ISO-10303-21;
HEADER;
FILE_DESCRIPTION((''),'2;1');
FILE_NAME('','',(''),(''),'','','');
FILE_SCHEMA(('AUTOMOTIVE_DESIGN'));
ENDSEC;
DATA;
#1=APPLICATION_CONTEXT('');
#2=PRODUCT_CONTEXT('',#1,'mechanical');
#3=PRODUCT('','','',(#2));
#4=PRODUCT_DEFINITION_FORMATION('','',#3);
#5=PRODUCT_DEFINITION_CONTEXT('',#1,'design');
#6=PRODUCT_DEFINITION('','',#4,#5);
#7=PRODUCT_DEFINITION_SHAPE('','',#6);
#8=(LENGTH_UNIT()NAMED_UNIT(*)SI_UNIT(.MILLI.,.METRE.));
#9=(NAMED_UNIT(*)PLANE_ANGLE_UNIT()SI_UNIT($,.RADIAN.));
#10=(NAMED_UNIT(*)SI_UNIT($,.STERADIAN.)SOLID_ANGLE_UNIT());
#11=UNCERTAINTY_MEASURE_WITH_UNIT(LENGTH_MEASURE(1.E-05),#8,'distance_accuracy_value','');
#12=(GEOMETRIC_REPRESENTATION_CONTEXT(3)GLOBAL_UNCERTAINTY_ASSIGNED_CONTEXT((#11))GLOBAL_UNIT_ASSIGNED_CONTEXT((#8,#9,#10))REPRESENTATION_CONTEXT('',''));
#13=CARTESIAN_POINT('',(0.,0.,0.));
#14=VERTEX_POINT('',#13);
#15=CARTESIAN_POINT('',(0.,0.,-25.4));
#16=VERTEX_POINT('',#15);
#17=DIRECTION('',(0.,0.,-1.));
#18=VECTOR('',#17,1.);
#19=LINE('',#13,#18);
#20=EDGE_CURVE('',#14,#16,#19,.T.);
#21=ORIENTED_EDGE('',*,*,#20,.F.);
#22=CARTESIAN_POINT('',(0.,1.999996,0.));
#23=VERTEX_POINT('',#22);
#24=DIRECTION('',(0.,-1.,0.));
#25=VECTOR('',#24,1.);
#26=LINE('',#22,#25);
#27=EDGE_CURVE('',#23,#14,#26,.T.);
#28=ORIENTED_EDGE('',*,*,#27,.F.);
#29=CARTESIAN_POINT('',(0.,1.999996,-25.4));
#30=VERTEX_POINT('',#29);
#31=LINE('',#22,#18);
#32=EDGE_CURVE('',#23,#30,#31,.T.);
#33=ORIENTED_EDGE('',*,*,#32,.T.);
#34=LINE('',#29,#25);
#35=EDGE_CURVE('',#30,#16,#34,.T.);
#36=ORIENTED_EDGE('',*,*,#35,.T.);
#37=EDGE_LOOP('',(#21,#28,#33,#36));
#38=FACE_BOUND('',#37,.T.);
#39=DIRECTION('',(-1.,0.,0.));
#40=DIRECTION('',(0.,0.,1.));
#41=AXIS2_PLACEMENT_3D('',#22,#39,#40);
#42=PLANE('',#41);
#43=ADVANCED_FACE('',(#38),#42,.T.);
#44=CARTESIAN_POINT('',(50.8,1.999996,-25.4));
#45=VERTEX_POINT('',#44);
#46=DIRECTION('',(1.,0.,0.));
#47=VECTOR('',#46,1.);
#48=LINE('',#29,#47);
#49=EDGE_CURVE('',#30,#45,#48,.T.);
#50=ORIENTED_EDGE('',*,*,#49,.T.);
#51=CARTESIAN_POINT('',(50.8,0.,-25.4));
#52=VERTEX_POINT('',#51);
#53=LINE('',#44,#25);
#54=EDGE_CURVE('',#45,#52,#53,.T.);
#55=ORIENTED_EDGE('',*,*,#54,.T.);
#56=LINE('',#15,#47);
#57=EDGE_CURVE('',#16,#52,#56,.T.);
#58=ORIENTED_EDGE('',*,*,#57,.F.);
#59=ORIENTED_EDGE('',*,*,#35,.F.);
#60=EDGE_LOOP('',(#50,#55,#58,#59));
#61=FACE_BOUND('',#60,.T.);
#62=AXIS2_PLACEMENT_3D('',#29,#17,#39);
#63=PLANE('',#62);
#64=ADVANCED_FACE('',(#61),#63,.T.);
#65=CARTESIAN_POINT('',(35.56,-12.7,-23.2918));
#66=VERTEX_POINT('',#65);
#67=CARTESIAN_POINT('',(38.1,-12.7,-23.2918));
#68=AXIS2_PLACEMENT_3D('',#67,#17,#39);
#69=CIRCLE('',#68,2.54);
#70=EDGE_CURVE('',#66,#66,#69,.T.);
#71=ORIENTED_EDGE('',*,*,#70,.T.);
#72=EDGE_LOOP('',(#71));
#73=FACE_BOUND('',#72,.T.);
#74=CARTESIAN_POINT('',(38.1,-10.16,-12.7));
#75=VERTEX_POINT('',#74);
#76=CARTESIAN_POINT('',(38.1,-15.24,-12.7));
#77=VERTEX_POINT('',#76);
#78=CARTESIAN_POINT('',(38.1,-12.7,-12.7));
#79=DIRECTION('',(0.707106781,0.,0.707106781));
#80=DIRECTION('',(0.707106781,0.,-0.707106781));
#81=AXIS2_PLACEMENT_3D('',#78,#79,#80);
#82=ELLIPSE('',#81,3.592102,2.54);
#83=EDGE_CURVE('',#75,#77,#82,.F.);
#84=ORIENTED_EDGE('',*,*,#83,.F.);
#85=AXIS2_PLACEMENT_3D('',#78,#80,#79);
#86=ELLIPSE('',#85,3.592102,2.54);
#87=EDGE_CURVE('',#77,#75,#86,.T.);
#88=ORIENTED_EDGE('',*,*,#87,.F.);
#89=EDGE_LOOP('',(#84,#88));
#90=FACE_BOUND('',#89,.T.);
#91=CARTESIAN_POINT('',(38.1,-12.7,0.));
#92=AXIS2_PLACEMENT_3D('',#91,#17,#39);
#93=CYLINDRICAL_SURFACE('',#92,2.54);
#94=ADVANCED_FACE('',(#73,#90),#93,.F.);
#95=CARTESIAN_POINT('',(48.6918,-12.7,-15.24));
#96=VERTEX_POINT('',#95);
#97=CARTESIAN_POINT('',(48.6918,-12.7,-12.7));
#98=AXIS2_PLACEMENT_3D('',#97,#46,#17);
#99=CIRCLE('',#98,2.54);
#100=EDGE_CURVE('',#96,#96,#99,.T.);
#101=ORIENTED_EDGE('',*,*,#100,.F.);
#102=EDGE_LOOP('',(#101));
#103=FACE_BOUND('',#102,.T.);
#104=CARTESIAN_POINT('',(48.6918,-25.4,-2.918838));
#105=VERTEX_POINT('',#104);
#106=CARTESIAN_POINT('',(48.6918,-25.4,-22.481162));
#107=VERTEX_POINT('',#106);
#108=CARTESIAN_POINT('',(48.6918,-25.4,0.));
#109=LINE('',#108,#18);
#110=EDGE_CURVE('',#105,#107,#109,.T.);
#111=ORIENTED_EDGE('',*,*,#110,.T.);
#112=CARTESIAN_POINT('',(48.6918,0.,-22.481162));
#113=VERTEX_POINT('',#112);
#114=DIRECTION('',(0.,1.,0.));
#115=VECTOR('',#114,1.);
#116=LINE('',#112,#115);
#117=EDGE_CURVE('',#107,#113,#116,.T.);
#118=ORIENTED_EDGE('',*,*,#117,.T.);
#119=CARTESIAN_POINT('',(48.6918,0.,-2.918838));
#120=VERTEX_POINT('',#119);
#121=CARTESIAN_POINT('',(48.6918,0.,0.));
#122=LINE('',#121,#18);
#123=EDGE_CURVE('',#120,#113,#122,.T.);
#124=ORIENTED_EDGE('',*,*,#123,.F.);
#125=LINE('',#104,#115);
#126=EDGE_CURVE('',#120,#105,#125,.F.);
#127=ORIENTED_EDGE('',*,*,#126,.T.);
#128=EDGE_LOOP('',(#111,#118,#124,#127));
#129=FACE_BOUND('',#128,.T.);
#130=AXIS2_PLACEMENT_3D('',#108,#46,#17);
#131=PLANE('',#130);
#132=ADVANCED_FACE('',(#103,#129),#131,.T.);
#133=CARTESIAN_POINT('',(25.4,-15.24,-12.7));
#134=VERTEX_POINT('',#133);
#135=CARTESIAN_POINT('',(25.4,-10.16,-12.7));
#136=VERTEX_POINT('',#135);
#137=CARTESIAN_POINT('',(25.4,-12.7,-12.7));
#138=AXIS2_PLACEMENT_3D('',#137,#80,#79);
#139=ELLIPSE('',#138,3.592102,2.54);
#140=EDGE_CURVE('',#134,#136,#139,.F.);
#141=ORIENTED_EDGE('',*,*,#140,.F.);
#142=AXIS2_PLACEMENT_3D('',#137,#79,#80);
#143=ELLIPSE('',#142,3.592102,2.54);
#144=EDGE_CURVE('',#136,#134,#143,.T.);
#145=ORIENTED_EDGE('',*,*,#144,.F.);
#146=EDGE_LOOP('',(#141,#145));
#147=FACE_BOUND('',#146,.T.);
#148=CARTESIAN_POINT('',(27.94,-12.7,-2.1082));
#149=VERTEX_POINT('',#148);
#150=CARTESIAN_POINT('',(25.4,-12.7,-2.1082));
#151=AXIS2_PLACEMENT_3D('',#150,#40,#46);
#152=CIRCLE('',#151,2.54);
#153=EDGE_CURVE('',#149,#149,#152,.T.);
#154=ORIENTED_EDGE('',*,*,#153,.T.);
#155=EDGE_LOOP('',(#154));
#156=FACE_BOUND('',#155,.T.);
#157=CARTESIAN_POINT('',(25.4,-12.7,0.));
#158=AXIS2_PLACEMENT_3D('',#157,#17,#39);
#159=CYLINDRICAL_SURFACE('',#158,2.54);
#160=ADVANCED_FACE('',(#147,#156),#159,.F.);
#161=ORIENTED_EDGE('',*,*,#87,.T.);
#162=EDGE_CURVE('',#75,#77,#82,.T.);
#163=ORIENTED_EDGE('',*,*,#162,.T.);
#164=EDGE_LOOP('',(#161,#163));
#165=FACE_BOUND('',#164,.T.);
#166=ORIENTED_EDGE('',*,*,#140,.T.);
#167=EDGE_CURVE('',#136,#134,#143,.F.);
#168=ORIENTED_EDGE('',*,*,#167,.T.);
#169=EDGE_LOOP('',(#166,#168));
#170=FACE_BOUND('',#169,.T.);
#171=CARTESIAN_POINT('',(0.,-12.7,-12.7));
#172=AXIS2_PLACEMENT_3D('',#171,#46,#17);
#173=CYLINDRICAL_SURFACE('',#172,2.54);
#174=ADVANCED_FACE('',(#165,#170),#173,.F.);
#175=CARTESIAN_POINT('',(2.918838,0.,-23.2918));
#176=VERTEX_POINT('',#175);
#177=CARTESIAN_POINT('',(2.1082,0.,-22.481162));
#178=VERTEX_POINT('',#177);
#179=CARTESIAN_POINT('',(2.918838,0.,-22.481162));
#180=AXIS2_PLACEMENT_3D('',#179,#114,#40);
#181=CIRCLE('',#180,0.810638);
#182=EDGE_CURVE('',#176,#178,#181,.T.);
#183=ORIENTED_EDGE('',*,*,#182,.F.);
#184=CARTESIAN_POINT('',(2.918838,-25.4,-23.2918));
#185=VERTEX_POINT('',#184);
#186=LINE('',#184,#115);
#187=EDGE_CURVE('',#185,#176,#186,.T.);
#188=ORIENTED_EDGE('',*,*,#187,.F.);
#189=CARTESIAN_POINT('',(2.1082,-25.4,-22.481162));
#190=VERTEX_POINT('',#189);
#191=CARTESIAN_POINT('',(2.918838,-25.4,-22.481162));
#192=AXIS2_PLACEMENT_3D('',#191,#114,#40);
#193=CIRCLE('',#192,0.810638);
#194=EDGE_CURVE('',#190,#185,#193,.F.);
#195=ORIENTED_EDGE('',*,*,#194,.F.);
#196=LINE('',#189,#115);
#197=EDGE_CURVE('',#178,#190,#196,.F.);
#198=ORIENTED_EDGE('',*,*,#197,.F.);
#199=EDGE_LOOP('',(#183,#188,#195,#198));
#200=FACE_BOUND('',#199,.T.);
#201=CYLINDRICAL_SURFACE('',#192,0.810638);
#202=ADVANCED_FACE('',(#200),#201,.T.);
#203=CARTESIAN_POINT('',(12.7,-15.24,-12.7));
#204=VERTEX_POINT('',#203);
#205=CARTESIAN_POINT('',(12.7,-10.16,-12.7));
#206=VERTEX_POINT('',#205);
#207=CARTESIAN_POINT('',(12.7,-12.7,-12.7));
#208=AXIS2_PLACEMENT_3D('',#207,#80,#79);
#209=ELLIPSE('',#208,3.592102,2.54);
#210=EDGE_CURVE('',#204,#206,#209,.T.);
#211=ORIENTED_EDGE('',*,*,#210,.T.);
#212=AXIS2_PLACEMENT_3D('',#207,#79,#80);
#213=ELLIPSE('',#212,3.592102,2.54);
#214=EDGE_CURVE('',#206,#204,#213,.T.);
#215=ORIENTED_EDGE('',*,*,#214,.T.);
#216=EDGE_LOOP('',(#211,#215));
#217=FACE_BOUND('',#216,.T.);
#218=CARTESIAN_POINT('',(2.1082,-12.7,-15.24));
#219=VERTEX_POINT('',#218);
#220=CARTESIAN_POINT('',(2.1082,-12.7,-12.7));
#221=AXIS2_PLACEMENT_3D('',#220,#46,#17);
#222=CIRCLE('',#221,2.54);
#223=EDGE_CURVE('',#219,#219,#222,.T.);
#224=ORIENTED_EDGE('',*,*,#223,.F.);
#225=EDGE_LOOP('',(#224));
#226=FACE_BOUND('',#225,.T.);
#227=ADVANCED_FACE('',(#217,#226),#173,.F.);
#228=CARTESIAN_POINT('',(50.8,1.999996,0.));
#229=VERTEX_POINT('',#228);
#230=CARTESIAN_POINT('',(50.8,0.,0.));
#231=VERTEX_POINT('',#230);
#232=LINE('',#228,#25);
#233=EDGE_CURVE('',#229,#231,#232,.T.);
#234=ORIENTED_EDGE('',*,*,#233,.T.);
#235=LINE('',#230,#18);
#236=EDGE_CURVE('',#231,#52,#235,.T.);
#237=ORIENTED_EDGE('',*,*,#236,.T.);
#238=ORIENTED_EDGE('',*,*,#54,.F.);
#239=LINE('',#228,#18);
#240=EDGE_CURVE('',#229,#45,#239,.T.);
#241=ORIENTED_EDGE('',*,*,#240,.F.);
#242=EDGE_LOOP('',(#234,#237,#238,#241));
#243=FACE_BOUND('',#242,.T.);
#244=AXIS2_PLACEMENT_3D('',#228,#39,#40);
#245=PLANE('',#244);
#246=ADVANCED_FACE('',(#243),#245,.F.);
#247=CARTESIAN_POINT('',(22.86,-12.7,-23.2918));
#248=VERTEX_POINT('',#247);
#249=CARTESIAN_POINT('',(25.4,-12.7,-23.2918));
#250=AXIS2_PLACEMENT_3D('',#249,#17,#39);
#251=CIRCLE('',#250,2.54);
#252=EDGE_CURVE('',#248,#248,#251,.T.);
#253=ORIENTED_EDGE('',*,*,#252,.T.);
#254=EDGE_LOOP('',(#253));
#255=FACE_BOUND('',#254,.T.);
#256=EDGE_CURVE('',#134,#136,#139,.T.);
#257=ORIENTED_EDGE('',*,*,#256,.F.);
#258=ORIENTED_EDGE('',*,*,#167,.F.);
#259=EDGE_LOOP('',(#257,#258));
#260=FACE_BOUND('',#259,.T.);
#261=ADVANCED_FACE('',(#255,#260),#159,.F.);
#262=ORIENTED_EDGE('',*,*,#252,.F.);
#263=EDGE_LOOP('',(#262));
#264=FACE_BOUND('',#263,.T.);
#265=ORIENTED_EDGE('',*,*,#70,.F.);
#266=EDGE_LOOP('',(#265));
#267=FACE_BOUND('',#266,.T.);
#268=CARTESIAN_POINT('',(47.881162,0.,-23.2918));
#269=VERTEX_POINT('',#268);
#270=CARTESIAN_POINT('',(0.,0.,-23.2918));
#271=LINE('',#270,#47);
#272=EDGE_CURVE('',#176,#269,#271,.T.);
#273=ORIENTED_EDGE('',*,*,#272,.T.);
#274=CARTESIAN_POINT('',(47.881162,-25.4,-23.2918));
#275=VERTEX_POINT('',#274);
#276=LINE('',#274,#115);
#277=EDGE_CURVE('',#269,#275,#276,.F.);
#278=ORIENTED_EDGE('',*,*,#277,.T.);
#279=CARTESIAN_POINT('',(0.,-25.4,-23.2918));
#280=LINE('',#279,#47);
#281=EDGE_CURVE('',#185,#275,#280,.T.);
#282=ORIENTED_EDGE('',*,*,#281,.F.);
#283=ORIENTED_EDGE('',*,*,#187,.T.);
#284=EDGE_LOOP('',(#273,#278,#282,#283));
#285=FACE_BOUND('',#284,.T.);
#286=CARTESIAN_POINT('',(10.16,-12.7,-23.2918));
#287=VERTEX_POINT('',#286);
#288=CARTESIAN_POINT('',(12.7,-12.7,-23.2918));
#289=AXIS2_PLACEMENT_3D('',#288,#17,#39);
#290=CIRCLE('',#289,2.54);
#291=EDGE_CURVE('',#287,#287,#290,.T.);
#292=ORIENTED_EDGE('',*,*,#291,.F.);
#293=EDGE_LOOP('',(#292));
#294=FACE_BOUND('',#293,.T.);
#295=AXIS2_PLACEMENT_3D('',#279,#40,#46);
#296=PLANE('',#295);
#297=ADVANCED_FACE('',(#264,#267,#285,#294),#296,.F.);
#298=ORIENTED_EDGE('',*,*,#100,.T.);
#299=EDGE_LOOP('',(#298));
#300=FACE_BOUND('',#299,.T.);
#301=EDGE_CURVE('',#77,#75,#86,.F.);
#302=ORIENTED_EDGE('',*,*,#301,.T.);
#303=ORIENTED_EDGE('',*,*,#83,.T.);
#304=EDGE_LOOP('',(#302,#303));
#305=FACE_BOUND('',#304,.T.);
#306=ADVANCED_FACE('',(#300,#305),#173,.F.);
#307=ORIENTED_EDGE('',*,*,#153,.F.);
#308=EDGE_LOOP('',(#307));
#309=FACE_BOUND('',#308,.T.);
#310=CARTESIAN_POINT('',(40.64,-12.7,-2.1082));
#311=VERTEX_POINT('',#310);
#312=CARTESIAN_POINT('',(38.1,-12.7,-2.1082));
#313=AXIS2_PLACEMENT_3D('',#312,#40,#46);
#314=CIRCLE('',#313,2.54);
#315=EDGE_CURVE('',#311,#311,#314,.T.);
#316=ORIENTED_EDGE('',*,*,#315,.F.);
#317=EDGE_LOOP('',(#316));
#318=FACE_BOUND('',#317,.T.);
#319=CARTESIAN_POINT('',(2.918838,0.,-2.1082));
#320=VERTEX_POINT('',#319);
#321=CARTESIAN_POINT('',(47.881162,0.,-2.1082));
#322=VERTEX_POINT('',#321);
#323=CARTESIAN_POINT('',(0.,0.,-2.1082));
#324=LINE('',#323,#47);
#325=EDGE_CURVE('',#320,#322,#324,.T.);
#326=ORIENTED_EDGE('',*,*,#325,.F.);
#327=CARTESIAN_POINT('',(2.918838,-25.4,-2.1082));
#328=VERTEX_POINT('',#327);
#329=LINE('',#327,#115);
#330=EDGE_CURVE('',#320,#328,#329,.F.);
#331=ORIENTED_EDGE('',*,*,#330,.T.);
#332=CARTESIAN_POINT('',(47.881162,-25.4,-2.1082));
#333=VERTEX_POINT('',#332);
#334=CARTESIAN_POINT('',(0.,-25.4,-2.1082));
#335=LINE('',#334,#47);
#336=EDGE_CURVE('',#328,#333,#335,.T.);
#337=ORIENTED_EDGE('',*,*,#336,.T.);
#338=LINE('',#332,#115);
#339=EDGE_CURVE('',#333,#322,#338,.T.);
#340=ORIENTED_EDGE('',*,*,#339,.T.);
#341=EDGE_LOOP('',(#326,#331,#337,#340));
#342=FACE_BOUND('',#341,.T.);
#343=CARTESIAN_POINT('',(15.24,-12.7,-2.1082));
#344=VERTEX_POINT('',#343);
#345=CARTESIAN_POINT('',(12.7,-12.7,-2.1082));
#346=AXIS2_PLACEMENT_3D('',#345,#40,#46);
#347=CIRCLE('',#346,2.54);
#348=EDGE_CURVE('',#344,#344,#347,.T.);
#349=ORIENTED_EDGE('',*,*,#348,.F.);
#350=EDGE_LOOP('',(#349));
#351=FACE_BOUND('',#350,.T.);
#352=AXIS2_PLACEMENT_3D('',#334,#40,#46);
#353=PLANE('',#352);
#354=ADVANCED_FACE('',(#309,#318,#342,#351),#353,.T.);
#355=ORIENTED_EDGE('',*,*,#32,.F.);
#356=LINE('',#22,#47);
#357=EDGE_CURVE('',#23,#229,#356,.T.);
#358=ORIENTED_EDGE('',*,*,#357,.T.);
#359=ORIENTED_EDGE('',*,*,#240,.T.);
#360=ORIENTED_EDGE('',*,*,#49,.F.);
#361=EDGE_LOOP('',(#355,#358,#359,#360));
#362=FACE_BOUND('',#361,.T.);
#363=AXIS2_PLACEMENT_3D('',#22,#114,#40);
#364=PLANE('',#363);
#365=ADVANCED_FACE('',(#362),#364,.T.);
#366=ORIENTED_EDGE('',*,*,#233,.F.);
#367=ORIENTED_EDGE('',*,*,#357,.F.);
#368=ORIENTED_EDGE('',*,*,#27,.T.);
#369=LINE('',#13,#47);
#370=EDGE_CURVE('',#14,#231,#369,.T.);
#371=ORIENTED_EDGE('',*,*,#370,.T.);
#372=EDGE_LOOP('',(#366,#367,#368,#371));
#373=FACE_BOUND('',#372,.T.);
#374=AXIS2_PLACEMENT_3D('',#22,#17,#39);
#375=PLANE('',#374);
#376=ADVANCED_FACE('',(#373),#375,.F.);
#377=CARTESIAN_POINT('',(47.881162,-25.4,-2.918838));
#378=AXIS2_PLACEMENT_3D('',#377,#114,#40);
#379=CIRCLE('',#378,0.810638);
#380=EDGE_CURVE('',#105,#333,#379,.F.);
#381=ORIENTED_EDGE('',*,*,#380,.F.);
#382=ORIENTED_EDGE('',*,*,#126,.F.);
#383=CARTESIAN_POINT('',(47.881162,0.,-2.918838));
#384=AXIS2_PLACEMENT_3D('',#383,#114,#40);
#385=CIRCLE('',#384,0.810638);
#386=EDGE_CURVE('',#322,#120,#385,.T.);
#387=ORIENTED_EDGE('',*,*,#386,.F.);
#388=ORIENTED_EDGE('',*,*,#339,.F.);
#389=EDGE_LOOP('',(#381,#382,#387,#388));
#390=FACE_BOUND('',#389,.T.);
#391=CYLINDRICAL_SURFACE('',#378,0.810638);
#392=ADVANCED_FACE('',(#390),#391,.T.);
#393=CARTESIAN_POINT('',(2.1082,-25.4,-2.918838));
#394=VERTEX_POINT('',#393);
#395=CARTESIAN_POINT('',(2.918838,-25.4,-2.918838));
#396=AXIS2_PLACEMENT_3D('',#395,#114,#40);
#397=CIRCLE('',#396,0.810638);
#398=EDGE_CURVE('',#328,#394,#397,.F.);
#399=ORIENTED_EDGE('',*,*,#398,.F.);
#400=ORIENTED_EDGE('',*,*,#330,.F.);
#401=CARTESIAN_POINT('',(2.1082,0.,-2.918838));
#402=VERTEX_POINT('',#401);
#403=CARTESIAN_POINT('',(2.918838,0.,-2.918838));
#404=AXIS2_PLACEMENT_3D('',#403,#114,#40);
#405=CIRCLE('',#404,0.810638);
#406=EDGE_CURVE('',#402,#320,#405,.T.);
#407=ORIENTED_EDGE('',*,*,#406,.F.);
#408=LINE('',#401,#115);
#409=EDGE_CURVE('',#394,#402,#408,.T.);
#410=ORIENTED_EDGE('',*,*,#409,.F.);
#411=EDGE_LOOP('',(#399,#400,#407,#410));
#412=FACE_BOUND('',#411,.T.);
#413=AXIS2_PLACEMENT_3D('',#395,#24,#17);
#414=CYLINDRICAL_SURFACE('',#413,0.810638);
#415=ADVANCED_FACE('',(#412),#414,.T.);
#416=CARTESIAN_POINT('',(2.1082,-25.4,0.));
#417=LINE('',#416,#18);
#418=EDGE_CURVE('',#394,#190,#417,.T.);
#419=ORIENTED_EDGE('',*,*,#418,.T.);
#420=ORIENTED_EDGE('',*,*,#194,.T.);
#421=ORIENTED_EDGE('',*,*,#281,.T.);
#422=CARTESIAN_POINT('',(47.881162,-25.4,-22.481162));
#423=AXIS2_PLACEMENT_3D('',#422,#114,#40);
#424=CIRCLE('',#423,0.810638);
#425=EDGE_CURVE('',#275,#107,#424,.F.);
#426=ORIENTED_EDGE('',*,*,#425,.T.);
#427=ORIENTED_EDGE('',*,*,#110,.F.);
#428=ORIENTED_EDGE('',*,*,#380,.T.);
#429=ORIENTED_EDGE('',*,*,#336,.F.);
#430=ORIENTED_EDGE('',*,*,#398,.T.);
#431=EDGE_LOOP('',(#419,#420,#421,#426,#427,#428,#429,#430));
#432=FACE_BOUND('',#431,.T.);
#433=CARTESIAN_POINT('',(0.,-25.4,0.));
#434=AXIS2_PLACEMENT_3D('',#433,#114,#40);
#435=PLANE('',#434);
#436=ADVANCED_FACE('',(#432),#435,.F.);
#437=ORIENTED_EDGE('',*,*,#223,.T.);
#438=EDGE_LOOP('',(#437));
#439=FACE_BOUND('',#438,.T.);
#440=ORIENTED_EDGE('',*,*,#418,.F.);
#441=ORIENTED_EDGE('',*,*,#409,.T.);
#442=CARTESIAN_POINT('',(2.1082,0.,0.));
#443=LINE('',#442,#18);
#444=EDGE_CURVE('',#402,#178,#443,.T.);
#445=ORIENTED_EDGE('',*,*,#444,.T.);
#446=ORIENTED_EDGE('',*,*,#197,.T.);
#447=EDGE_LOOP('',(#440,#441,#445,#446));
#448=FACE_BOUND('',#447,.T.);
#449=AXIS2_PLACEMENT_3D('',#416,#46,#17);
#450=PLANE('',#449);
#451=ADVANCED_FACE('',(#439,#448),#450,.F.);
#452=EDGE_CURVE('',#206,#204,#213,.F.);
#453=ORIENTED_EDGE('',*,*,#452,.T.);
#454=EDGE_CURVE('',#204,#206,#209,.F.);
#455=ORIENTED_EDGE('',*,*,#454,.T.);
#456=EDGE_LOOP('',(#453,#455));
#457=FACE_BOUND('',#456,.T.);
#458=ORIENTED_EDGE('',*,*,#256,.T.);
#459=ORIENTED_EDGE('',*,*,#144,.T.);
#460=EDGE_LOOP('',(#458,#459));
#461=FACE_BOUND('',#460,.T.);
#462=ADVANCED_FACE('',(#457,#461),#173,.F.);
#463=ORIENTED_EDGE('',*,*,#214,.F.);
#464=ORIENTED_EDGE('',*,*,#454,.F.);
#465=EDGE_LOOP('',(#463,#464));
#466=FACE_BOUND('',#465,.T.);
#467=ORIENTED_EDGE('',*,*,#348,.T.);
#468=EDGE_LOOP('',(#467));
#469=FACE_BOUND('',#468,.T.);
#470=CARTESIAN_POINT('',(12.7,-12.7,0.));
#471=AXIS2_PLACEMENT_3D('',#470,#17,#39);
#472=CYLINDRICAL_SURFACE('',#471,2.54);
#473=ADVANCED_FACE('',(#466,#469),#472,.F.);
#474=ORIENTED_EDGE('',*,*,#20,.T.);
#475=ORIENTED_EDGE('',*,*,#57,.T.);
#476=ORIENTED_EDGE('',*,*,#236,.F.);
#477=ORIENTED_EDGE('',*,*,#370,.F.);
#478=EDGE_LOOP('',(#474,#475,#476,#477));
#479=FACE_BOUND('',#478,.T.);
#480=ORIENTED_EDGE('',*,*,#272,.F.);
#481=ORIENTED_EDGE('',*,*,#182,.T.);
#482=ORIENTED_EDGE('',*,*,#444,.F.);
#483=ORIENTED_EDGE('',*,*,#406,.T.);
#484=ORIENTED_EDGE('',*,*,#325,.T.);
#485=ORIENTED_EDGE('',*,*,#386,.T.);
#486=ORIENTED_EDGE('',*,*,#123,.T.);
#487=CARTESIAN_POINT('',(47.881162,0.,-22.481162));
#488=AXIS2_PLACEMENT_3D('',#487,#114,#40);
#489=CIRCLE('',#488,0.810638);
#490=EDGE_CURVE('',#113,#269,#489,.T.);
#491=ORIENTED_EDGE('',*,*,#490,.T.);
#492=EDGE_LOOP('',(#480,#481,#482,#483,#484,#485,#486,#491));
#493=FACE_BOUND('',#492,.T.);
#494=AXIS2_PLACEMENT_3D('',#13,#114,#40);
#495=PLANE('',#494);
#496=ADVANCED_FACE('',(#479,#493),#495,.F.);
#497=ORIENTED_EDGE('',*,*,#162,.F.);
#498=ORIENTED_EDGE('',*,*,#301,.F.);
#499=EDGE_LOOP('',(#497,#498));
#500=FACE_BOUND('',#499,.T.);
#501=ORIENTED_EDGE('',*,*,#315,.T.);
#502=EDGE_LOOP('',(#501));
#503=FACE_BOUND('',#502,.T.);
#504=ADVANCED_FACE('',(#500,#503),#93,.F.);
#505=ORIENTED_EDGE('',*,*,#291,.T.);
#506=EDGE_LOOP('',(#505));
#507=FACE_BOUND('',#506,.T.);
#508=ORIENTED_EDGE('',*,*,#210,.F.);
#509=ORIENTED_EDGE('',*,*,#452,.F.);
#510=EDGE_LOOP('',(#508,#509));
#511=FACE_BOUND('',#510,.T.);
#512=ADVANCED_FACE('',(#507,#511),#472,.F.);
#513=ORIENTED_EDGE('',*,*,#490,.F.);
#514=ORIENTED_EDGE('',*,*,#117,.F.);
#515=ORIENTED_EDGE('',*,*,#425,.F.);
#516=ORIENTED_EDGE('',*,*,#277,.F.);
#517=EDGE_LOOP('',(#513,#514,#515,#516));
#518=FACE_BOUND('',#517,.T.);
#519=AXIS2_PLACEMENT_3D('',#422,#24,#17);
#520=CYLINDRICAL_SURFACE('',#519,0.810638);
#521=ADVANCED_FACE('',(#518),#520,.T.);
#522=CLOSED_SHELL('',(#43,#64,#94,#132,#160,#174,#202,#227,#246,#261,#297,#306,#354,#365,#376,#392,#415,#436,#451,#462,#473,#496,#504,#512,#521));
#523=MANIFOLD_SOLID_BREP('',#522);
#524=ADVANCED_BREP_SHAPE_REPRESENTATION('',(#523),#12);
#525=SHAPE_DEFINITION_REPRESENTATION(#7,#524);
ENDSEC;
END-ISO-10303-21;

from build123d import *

# Parameters (mm, degrees)
SKETCH2_W           = 50.8
SKETCH2_H           = 25.4
BOSS_EXTRUDE2_DEPTH = 1.999996
SKETCH2_4_W         = 46.5836
SKETCH2_4_H         = 21.1836
BOSS_EXTRUDE3_DEPTH = 25.4
FILLET3_R           = 0.810638298
SKETCH3_R           = 2.54
CUT_EXTRUDE1_DEPTH  = 49.6918
SKETCH4_R           = 2.54
CUT_EXTRUDE2_DEPTH  = 24.2918


with BuildPart() as part:
    # Sketch2 → Boss-Extrude2 (new body)
    with BuildSketch(Plane(origin=(0, 0, 0), x_dir=(1, 0, 0), z_dir=(0, 1, 0))):
        with Locations((25.4, 12.7)):
            Rectangle(SKETCH2_W, SKETCH2_H)
    extrude(amount=BOSS_EXTRUDE2_DEPTH)

    # Sketch2<4> → Boss-Extrude3 (add)
    with BuildSketch(Plane(origin=(0, 0, 0), x_dir=(1, 0, 0), z_dir=(0, 1, 0))):
        with Locations((25.4, 12.7)):
            Rectangle(SKETCH2_4_W, SKETCH2_4_H)
    extrude(amount=-BOSS_EXTRUDE3_DEPTH)

    # Fillet3
    fillet3_edges = [part.edges().sort_by_distance(p)[0] for p in [
        (2.1082, -12.7, -2.1082),
        (2.1082, -12.7, -23.2918),
        (48.6918, -12.7, -23.2918),
        (48.6918, -12.7, -2.1082),
    ]]
    fillet(fillet3_edges, radius=FILLET3_R)

    # Sketch3 → Cut-Extrude1 (cut, through all)
    with BuildSketch(Plane(origin=(48.6918, 0, 0), x_dir=(0, 0, -1), z_dir=(1, 0, 0))):
        with Locations((12.7, -12.7)):
            Circle(SKETCH3_R)
    extrude(amount=-CUT_EXTRUDE1_DEPTH, mode=Mode.SUBTRACT)

    # Sketch4 → Cut-Extrude2 (cut, through all)
    with BuildSketch(Plane(origin=(0, 0, -23.2918), x_dir=(-1, 0, 0), z_dir=(0, 0, -1))):
        with Locations((-25.4, -12.7)):
            Circle(SKETCH4_R)
        with Locations((-38.1, -12.7)):
            Circle(SKETCH4_R)
        with Locations((-12.7, -12.7)):
            Circle(SKETCH4_R)
    extrude(amount=-CUT_EXTRUDE2_DEPTH, mode=Mode.SUBTRACT)


solid = part.part
